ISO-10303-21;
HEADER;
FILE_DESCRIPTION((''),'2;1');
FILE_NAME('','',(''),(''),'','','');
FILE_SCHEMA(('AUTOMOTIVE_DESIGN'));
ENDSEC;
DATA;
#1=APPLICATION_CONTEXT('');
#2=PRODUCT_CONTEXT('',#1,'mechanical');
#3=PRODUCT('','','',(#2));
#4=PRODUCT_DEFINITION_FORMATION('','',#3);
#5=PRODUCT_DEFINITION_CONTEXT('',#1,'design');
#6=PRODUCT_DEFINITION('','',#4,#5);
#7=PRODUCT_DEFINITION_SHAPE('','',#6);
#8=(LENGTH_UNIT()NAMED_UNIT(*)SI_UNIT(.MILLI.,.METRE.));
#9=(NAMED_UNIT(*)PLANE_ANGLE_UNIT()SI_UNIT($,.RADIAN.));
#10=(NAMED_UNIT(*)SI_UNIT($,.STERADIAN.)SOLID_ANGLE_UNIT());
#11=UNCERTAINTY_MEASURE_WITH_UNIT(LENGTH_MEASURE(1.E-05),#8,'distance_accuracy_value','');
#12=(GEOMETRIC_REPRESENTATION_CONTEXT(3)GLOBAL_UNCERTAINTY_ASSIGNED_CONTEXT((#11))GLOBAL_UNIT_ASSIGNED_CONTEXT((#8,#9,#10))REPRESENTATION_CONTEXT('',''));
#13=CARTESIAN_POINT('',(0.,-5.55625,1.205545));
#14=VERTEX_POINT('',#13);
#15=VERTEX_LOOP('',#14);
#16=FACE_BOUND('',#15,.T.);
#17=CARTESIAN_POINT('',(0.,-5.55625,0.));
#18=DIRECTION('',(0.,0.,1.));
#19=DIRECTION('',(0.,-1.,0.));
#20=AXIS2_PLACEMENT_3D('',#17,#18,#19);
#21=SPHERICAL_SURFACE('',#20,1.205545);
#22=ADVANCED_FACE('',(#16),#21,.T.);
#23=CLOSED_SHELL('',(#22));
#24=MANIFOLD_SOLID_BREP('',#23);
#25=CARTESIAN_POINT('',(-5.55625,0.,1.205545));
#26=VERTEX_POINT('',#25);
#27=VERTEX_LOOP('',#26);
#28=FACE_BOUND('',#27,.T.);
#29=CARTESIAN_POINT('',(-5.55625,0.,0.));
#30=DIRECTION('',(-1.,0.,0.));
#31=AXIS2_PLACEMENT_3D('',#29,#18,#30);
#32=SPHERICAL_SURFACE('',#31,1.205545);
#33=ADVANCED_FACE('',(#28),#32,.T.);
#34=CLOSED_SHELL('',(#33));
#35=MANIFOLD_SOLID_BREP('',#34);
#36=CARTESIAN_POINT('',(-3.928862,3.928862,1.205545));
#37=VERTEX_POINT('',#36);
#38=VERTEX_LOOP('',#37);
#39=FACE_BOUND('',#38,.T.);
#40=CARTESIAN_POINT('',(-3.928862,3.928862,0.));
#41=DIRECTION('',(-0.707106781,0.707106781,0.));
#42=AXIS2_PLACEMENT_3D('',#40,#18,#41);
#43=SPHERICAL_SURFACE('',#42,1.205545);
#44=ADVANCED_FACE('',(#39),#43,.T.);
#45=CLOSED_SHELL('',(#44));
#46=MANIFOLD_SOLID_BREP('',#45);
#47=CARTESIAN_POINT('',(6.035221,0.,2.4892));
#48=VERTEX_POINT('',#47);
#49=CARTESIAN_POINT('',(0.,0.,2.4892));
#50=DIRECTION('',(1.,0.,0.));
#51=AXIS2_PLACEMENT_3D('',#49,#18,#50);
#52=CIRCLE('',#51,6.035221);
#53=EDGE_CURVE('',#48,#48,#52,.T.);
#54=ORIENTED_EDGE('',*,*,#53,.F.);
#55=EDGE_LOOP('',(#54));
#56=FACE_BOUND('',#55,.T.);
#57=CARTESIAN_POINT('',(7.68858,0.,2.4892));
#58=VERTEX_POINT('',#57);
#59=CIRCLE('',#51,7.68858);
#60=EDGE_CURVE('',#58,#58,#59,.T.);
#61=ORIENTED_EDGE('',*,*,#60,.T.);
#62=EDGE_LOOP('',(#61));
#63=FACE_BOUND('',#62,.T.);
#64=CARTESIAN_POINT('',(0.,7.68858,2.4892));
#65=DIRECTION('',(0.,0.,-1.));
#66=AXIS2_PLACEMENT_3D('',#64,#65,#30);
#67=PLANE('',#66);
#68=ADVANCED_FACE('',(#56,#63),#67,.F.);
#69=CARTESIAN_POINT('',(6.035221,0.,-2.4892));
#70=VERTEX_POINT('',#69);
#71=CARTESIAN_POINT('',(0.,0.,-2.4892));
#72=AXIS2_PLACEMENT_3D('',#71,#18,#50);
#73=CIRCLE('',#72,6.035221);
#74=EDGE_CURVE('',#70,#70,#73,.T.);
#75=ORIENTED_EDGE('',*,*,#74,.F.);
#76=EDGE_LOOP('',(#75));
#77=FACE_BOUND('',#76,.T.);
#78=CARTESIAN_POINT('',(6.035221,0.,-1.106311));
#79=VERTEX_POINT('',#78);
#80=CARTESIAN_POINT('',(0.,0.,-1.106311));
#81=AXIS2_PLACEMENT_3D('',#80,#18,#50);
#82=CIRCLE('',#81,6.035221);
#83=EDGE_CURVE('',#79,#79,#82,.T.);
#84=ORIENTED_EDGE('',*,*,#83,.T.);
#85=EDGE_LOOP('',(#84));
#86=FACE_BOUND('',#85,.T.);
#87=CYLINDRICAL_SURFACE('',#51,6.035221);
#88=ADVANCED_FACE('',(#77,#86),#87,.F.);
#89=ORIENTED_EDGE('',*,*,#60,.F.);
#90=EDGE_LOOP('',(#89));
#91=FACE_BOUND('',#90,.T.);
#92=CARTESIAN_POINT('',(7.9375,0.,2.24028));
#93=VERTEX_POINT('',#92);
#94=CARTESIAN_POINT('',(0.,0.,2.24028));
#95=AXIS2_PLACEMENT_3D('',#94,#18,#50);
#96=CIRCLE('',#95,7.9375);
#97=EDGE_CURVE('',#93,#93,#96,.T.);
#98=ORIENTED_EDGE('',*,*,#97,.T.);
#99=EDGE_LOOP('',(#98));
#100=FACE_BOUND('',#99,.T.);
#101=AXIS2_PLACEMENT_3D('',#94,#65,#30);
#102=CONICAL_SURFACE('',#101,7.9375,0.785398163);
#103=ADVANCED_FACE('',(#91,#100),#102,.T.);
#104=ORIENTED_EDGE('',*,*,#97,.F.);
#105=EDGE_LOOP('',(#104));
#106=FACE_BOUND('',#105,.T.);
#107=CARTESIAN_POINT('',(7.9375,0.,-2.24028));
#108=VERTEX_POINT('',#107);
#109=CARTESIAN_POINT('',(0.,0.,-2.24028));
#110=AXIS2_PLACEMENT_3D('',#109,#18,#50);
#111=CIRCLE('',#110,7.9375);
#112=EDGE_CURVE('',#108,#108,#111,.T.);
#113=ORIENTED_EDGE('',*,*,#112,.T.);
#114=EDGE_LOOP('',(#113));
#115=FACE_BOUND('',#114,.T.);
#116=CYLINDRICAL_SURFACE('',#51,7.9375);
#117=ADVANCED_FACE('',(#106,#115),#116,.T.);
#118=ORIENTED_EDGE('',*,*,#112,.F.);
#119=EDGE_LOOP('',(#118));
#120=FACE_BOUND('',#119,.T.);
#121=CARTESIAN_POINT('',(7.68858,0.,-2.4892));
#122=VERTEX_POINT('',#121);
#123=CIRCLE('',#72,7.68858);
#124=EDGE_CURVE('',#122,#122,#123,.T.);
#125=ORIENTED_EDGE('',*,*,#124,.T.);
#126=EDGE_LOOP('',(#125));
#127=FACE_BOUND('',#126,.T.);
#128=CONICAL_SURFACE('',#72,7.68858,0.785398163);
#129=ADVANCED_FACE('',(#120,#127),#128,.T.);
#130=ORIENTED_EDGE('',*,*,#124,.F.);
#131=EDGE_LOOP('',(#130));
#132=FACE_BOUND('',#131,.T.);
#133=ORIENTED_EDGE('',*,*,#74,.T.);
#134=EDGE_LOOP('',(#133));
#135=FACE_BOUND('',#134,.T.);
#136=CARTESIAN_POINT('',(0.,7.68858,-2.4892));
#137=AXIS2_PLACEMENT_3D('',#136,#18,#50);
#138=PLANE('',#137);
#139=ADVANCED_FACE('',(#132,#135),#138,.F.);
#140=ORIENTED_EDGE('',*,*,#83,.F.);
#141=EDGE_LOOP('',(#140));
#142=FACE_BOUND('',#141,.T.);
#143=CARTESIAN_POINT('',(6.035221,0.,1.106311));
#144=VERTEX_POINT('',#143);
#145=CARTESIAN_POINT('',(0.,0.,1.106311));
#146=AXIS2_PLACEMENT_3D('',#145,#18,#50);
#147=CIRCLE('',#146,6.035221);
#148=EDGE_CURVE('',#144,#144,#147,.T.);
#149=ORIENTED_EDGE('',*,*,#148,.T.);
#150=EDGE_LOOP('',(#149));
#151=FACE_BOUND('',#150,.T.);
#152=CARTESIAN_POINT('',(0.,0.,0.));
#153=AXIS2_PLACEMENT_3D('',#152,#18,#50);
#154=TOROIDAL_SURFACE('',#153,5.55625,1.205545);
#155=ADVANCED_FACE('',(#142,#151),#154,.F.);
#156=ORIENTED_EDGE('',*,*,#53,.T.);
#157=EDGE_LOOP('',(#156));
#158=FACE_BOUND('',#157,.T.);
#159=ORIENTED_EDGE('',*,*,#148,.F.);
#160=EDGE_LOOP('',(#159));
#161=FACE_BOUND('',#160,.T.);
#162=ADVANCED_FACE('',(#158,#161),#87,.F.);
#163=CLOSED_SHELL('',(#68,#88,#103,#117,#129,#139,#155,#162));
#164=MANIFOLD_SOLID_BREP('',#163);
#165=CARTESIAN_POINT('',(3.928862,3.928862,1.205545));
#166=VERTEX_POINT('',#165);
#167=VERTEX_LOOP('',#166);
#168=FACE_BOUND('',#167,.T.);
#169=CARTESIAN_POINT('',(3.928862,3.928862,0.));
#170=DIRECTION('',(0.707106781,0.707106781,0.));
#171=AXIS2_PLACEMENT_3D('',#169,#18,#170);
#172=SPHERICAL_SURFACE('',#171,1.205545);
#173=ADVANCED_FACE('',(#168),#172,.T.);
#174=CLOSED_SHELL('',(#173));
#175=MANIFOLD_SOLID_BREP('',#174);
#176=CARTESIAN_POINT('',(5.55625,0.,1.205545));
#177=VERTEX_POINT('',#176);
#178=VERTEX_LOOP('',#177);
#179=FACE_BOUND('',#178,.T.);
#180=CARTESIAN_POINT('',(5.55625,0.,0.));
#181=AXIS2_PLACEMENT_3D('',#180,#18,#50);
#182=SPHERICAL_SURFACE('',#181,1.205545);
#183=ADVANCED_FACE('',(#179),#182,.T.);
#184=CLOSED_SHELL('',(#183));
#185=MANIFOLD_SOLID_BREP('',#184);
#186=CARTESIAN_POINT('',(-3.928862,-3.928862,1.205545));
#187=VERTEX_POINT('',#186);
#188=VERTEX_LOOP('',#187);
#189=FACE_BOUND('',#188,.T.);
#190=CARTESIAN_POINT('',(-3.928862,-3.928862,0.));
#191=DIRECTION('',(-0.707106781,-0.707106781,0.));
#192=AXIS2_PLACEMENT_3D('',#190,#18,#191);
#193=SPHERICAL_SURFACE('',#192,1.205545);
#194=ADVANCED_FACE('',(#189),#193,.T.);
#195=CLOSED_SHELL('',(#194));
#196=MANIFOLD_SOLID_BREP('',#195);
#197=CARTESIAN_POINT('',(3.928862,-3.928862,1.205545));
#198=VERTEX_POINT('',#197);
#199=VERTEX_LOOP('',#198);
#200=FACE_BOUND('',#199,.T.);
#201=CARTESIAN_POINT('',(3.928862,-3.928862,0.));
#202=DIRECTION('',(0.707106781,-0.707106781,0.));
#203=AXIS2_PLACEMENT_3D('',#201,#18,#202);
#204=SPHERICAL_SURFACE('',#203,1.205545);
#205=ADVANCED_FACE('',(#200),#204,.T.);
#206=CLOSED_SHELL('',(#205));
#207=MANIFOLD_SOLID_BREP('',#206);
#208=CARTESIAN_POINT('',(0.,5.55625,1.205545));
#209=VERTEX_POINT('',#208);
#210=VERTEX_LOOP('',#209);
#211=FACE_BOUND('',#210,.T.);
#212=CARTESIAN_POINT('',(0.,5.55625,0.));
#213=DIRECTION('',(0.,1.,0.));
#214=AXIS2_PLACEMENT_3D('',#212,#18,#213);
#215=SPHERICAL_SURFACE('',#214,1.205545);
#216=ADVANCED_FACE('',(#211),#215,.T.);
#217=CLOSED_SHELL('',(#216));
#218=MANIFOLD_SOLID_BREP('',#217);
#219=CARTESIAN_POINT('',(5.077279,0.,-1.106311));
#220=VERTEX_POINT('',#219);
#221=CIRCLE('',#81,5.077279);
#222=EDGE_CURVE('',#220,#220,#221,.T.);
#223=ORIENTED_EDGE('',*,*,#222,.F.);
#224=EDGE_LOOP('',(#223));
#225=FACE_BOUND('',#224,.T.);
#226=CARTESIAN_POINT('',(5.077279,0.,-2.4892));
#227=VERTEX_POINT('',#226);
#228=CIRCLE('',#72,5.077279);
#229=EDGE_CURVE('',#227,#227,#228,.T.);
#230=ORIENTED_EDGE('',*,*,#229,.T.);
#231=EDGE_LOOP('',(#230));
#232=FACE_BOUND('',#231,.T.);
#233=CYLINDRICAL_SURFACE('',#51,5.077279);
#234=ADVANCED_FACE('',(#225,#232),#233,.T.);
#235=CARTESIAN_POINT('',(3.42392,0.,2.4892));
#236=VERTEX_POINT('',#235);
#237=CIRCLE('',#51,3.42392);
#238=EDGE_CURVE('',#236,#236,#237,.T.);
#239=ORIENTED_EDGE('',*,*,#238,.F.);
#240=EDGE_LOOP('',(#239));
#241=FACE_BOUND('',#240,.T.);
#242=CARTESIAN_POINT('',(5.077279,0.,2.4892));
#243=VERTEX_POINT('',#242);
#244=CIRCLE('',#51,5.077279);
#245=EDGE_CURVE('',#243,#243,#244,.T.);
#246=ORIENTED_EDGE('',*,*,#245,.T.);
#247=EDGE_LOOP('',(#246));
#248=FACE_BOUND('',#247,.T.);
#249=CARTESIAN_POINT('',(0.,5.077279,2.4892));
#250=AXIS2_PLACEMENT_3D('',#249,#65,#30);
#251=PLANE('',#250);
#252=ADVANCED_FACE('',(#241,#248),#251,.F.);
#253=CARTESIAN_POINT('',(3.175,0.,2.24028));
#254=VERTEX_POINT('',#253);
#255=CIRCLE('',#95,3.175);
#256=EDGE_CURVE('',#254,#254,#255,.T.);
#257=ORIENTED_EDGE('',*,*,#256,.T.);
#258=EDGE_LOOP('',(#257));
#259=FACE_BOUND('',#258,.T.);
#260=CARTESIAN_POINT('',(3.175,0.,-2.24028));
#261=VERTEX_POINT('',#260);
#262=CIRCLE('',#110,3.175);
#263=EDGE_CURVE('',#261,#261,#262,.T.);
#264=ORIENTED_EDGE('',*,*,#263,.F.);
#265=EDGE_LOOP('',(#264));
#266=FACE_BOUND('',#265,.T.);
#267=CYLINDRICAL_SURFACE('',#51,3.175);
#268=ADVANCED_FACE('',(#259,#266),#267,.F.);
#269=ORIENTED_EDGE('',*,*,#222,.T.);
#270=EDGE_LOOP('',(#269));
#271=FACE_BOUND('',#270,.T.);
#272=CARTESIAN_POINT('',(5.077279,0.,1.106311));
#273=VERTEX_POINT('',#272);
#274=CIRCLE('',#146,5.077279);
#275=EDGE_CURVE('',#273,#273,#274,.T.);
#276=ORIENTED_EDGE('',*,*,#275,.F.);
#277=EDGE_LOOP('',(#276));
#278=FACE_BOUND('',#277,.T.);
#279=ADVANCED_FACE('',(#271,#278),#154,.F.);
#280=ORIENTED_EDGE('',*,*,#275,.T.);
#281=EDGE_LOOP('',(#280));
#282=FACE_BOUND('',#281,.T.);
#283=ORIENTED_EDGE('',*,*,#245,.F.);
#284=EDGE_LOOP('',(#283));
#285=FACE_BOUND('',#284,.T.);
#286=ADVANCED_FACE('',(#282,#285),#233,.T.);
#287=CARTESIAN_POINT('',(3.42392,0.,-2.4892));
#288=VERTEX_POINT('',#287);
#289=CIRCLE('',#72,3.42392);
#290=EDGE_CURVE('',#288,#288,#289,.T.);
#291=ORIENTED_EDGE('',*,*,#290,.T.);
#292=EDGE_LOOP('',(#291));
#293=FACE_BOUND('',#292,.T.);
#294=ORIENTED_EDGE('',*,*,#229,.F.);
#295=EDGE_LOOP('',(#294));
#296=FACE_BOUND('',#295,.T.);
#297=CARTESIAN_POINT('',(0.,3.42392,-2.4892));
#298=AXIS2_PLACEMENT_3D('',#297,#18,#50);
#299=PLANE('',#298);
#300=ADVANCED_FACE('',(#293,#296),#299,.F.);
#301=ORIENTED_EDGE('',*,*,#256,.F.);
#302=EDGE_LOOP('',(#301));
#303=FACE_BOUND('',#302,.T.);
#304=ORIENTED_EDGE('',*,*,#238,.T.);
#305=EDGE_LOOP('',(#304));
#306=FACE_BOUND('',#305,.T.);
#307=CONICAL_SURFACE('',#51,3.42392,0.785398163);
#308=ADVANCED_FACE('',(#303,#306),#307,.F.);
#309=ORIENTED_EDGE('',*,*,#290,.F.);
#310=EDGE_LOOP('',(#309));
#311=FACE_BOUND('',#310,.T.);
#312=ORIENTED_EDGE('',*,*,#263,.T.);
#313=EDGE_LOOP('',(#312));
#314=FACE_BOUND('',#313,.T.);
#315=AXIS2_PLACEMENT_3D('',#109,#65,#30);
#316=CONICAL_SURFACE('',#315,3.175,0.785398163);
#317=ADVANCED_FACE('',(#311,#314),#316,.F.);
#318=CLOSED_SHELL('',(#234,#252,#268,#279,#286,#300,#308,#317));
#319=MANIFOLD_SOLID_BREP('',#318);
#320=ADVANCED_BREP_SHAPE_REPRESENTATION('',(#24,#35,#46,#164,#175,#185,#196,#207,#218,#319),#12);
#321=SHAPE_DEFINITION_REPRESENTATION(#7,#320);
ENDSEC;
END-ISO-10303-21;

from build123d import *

# Parameters (mm, degrees)
CIRPATTERN1_COUNT = 8


with BuildPart() as part:
    # Sketch1 → Revolve1 (revolve)
    with BuildSketch(Plane(origin=(0, 0, 0), x_dir=(0, 0, -1), z_dir=(1, 0, 0))):
        with BuildLine():
            Line((2.24028, 7.9375), (-2.24028, 7.9375))
            Line((-2.24028, 7.9375), (-2.4892, 7.68858))
            Line((-2.4892, 7.68858), (-2.4892, 6.035221429))
            Line((-2.4892, 6.035221429), (-1.106311111, 6.035221429))
            ThreePointArc((-1.106311111, 6.035221429), (0, 6.76179465), (1.106311111, 6.035221429))
            Line((1.106311111, 6.035221429), (2.4892, 6.035221429))
            Line((2.4892, 6.035221429), (2.4892, 7.68858))
            Line((2.4892, 7.68858), (2.24028, 7.9375))
        make_face()
    revolve(axis=Axis((0, 0, 2.4892), (0, 0, -1)))


with BuildPart() as body_2:
    # Sketch3 → Revolve3 (revolve)
    with BuildSketch(Plane(origin=(0, 0, 0), x_dir=(0, 0, -1), z_dir=(1, 0, 0))):
        with BuildLine():
            Line((-2.4892, 5.077278571), (-1.106311111, 5.077278571))
            ThreePointArc((-1.106311111, 5.077278571), (0, 4.35070535), (1.106311111, 5.077278571))
            Line((1.106311111, 5.077278571), (2.4892, 5.077278571))
            Line((2.4892, 5.077278571), (2.4892, 3.42392))
            Line((2.4892, 3.42392), (2.24028, 3.175))
            Line((2.24028, 3.175), (-2.24028, 3.175))
            Line((-2.24028, 3.175), (-2.4892, 3.42392))
            Line((-2.4892, 3.42392), (-2.4892, 5.077278571))
        make_face()
    revolve(axis=Axis((0, 0, 2.4892), (0, 0, -1)))


with BuildPart() as body_3:
    # Sketch4 → Revolve4 (revolve)
    with BuildSketch(Plane(origin=(0, 0, 0), x_dir=(0, 0, -1), z_dir=(1, 0, 0))):
        with BuildLine():
            Line((-1.20554465, 5.55625), (1.20554465, 5.55625))
            ThreePointArc((1.20554465, 5.55625), (0, 6.76179465), (-1.20554465, 5.55625))
        make_face()
    revolve(axis=Axis((0, 5.55625, 1.20554465), (0, 0, -1)))


with BuildPart() as cirpattern1_1:
    # CirPattern1: pattern copy
    add(body_3.part.rotate(Axis((0, 0, 0), (0, 0, 1)), 1 * 360 / CIRPATTERN1_COUNT))


with BuildPart() as cirpattern1_2:
    # CirPattern1: pattern copy
    add(body_3.part.rotate(Axis((0, 0, 0), (0, 0, 1)), 2 * 360 / CIRPATTERN1_COUNT))


with BuildPart() as cirpattern1_3:
    # CirPattern1: pattern copy
    add(body_3.part.rotate(Axis((0, 0, 0), (0, 0, 1)), 3 * 360 / CIRPATTERN1_COUNT))


with BuildPart() as cirpattern1_4:
    # CirPattern1: pattern copy
    add(body_3.part.rotate(Axis((0, 0, 0), (0, 0, 1)), 4 * 360 / CIRPATTERN1_COUNT))


with BuildPart() as cirpattern1_5:
    # CirPattern1: pattern copy
    add(body_3.part.rotate(Axis((0, 0, 0), (0, 0, 1)), 5 * 360 / CIRPATTERN1_COUNT))


with BuildPart() as cirpattern1_6:
    # CirPattern1: pattern copy
    add(body_3.part.rotate(Axis((0, 0, 0), (0, 0, 1)), 6 * 360 / CIRPATTERN1_COUNT))


with BuildPart() as cirpattern1_7:
    # CirPattern1: pattern copy
    add(body_3.part.rotate(Axis((0, 0, 0), (0, 0, 1)), 7 * 360 / CIRPATTERN1_COUNT))


solid = Compound([part.part, body_2.part, body_3.part, cirpattern1_1.part, cirpattern1_2.part, cirpattern1_3.part, cirpattern1_4.part, cirpattern1_5.part, cirpattern1_6.part, cirpattern1_7.part])
